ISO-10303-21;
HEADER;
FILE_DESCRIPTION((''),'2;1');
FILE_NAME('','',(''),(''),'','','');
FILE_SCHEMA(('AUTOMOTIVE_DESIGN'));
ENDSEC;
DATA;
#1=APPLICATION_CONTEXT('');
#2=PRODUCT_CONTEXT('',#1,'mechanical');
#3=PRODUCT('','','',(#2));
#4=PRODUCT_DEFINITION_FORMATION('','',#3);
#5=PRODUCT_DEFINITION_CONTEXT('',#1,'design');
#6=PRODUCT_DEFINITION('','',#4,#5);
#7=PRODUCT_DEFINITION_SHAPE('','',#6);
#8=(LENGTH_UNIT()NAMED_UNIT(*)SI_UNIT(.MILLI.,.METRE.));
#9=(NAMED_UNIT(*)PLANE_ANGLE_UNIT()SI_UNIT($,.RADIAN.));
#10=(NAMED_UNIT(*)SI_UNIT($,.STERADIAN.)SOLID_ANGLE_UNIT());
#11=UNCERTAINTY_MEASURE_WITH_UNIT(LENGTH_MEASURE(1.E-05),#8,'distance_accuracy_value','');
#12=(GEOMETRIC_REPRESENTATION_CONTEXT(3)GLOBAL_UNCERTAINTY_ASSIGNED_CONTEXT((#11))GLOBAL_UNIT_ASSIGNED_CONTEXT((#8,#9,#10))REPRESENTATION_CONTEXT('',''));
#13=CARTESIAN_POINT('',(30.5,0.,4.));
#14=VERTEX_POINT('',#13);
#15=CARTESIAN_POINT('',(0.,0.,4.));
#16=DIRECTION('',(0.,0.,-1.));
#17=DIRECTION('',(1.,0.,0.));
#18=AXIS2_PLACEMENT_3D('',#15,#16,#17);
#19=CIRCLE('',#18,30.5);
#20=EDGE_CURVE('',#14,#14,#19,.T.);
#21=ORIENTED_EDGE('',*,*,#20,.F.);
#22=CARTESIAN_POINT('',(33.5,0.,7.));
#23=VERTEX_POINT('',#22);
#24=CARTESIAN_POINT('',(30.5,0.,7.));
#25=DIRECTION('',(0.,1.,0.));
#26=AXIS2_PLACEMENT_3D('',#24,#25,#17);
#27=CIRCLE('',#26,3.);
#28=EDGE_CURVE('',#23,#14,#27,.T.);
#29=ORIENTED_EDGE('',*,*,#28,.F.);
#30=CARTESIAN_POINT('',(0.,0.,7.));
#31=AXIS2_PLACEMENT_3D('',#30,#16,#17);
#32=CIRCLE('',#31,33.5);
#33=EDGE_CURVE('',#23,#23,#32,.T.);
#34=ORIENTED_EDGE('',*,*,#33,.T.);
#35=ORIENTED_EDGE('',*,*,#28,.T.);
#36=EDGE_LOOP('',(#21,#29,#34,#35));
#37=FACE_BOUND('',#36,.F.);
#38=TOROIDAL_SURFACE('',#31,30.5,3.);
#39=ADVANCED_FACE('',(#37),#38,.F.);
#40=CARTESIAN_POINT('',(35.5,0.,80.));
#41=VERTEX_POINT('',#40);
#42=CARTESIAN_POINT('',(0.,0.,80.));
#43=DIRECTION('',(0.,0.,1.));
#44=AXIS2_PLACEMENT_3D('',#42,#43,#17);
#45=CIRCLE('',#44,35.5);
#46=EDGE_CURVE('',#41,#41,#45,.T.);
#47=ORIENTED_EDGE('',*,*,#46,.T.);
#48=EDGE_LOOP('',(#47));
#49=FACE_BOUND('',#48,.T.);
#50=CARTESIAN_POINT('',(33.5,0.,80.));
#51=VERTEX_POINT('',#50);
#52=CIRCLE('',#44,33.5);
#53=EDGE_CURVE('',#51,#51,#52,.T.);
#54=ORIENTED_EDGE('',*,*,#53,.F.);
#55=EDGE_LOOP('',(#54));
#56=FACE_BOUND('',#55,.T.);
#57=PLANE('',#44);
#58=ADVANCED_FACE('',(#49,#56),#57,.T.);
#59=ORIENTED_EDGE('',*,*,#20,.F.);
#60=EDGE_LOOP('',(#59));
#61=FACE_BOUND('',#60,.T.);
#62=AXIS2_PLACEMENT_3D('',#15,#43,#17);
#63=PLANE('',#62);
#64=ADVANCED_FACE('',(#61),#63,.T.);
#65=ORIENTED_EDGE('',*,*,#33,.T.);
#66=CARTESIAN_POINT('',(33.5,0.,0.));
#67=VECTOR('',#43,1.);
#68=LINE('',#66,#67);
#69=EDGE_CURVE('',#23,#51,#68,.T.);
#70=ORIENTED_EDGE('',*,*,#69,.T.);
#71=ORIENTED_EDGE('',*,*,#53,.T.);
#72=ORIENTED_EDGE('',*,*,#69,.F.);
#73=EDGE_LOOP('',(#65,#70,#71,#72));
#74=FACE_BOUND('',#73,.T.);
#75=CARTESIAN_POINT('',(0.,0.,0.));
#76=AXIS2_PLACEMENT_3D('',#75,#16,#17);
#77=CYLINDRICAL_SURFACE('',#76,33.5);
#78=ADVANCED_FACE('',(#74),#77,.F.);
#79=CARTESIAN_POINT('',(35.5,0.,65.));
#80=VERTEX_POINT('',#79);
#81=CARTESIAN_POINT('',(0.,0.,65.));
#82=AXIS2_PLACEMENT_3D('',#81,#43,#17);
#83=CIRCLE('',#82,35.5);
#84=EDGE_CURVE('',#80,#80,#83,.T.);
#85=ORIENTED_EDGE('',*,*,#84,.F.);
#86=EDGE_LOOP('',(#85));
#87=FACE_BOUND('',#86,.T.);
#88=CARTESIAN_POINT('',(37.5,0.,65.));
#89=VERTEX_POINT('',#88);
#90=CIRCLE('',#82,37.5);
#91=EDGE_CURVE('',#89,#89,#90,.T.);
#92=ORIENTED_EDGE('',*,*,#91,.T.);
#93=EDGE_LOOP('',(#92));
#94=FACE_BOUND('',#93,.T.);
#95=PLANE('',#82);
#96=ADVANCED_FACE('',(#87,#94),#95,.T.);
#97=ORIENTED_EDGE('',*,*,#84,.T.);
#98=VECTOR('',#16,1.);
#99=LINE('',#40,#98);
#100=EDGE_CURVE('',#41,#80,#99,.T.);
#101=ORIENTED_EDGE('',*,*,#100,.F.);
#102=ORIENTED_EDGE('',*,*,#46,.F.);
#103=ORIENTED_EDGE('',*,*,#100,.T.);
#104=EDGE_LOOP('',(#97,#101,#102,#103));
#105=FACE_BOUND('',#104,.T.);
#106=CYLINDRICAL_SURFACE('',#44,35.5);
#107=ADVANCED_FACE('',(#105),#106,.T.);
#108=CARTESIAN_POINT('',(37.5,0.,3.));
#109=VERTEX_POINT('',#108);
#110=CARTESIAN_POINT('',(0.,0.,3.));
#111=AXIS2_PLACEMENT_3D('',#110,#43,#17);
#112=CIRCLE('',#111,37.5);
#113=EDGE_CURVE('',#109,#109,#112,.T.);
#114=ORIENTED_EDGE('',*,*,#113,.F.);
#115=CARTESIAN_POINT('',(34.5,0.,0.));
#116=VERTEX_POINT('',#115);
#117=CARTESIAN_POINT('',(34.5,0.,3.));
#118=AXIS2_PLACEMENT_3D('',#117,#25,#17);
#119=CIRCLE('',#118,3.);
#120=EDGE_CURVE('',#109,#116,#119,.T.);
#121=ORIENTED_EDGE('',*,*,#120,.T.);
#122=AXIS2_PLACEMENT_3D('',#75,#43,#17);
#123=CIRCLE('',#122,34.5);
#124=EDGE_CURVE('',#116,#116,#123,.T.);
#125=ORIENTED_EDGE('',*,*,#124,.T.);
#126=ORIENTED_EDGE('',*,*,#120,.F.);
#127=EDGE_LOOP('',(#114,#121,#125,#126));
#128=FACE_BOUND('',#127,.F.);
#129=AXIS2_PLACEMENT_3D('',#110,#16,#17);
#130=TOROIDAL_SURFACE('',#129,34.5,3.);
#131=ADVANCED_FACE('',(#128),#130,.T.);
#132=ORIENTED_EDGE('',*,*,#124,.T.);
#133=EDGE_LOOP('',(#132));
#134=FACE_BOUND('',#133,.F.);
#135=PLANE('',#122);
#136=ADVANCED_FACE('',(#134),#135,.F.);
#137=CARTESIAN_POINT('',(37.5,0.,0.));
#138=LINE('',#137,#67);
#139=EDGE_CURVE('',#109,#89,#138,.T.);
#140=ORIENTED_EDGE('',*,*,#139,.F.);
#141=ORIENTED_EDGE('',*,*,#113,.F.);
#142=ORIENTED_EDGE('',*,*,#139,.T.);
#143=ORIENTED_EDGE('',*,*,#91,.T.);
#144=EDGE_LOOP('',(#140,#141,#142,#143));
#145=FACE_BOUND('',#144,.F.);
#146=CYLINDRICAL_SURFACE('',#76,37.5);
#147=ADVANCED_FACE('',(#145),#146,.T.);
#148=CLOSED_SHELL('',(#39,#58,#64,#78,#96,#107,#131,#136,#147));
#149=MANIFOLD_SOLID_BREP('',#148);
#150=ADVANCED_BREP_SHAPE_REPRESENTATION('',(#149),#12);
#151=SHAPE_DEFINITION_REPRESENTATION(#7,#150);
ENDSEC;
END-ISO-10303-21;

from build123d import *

# Parameters (mm, degrees)
F0_R     = 37.5
F1_DEPTH = 80
F2_T     = -4
F3_R     = 37.5
F3_R_2   = 35.5
F4_DEPTH = 15
F5_R     = 3


with BuildPart() as f1:
    # F0 (on Top) → F1 (new body)
    with BuildSketch(Plane.XY):
        Circle(F0_R)
    extrude(amount=F1_DEPTH)

    # F2
    f2_openings = [f1.faces().sort_by_distance(p)[0] for p in [
        (0, 0, 80),
    ]]
    offset(amount=F2_T, openings=f2_openings)

    # F3 (on face) → F4 (cut)
    with BuildSketch(Plane.XY.offset(80)):
        Circle(F3_R)
        Circle(F3_R_2, mode=Mode.SUBTRACT)
    extrude(amount=-F4_DEPTH, mode=Mode.SUBTRACT)

    # F5
    f5_edges = [f1.edges().sort_by_distance(p)[0] for p in [
        (-37.5, 0, 0),
        (-33.5, 0, 4),
    ]]
    fillet(f5_edges, radius=F5_R)


solid = f1.part
